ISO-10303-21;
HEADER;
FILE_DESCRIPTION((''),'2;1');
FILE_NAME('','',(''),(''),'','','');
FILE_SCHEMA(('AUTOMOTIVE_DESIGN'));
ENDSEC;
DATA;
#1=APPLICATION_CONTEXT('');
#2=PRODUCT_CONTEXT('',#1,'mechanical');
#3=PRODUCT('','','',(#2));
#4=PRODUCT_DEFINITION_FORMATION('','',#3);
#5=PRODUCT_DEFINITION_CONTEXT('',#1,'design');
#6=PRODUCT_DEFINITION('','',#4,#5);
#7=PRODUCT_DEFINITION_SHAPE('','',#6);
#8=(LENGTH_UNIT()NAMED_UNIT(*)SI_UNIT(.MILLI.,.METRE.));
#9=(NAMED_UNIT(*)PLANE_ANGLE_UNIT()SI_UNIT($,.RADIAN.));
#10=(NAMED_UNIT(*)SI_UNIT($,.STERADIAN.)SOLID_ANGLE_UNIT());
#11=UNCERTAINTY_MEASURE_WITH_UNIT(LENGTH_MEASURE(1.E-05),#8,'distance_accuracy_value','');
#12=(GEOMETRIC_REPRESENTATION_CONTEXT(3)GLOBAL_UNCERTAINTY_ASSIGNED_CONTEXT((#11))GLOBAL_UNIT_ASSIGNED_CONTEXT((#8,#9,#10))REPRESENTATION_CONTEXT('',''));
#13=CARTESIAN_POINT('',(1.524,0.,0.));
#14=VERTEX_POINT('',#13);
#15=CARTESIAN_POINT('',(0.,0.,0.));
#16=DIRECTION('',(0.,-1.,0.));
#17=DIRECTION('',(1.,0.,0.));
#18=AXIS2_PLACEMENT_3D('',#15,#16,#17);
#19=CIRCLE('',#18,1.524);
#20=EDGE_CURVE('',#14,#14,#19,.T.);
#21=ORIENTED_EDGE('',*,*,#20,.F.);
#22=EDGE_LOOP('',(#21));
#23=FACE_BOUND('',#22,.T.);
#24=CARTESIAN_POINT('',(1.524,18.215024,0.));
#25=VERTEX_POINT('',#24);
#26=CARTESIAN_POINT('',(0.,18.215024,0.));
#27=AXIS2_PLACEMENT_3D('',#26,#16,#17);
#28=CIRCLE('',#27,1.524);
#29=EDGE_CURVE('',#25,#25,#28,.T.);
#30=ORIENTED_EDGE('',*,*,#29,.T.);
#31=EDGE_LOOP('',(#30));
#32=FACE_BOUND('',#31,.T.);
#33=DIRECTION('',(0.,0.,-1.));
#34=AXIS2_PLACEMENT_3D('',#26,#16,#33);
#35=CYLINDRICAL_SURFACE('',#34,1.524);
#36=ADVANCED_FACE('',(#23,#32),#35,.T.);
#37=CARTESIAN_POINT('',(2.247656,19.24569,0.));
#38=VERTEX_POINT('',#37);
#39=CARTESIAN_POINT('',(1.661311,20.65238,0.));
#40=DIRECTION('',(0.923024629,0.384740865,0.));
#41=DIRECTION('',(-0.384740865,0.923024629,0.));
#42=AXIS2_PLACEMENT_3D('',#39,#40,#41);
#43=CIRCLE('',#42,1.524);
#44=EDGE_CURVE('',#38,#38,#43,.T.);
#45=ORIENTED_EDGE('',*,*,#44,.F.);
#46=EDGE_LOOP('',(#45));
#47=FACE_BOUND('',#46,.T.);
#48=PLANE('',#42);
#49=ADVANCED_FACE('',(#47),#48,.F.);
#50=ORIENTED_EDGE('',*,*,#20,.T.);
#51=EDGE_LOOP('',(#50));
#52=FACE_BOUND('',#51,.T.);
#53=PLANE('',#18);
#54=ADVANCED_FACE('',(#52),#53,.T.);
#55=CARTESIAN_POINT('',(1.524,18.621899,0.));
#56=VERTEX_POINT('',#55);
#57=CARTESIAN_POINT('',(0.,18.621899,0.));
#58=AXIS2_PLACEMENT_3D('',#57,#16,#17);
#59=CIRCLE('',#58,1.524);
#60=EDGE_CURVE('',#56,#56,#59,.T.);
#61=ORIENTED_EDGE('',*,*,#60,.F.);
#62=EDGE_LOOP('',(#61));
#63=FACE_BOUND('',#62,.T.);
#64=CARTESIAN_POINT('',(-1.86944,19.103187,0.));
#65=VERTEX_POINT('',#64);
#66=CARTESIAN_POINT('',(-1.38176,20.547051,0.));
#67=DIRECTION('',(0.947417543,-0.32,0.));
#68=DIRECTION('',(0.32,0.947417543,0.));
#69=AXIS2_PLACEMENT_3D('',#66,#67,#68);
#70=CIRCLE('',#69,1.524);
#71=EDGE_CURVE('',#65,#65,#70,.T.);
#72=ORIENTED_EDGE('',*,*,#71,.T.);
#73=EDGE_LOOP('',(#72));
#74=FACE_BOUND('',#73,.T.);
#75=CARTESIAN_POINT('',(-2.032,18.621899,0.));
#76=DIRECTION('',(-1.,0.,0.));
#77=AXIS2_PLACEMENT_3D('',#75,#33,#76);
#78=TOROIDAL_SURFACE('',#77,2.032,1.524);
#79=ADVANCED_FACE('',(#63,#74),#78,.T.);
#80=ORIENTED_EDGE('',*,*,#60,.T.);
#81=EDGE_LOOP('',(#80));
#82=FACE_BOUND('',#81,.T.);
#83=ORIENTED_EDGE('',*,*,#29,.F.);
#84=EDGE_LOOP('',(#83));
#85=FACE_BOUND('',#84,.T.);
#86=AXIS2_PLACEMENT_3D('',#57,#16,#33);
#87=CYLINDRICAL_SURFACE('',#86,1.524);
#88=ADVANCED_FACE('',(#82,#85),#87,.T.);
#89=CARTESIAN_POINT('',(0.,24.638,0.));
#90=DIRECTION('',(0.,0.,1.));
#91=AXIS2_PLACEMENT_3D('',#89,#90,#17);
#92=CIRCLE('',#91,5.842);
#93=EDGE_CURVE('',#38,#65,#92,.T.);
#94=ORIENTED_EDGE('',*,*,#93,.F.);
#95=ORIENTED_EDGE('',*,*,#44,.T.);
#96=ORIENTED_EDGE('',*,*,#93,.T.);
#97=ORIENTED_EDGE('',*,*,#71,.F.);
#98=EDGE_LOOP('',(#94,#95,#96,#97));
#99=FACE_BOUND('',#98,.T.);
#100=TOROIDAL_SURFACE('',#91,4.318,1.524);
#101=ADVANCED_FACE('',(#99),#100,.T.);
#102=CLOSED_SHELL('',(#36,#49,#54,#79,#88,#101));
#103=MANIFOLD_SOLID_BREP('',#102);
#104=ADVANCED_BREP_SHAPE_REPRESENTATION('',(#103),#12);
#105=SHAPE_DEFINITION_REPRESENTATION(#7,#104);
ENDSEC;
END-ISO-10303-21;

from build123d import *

# Parameters (mm, degrees)
SWEEP1_PROFILE_R = 1.524


with BuildPart() as part:
    # Sweep1: sweep along a path in Sketch1
    with BuildLine(Plane.XY) as sweep1_path:
        Line((0, 0), (0, 18.215024465))
        Line((0, 18.215024465), (0, 18.621898605))
        ThreePointArc((0, 18.621898605), (-0.381195396, 19.80674803), (-1.38176, 20.547051051))
        ThreePointArc((-1.38176, 20.547051051), (-0.149367757, 28.953415771), (1.661311056, 20.65237965))
    # Sweep1 profile (on start of the path) → Sweep1 (sweep)
    with BuildSketch(Plane.ZX):
        Circle(SWEEP1_PROFILE_R)
    sweep(path=sweep1_path.line)


solid = part.part
